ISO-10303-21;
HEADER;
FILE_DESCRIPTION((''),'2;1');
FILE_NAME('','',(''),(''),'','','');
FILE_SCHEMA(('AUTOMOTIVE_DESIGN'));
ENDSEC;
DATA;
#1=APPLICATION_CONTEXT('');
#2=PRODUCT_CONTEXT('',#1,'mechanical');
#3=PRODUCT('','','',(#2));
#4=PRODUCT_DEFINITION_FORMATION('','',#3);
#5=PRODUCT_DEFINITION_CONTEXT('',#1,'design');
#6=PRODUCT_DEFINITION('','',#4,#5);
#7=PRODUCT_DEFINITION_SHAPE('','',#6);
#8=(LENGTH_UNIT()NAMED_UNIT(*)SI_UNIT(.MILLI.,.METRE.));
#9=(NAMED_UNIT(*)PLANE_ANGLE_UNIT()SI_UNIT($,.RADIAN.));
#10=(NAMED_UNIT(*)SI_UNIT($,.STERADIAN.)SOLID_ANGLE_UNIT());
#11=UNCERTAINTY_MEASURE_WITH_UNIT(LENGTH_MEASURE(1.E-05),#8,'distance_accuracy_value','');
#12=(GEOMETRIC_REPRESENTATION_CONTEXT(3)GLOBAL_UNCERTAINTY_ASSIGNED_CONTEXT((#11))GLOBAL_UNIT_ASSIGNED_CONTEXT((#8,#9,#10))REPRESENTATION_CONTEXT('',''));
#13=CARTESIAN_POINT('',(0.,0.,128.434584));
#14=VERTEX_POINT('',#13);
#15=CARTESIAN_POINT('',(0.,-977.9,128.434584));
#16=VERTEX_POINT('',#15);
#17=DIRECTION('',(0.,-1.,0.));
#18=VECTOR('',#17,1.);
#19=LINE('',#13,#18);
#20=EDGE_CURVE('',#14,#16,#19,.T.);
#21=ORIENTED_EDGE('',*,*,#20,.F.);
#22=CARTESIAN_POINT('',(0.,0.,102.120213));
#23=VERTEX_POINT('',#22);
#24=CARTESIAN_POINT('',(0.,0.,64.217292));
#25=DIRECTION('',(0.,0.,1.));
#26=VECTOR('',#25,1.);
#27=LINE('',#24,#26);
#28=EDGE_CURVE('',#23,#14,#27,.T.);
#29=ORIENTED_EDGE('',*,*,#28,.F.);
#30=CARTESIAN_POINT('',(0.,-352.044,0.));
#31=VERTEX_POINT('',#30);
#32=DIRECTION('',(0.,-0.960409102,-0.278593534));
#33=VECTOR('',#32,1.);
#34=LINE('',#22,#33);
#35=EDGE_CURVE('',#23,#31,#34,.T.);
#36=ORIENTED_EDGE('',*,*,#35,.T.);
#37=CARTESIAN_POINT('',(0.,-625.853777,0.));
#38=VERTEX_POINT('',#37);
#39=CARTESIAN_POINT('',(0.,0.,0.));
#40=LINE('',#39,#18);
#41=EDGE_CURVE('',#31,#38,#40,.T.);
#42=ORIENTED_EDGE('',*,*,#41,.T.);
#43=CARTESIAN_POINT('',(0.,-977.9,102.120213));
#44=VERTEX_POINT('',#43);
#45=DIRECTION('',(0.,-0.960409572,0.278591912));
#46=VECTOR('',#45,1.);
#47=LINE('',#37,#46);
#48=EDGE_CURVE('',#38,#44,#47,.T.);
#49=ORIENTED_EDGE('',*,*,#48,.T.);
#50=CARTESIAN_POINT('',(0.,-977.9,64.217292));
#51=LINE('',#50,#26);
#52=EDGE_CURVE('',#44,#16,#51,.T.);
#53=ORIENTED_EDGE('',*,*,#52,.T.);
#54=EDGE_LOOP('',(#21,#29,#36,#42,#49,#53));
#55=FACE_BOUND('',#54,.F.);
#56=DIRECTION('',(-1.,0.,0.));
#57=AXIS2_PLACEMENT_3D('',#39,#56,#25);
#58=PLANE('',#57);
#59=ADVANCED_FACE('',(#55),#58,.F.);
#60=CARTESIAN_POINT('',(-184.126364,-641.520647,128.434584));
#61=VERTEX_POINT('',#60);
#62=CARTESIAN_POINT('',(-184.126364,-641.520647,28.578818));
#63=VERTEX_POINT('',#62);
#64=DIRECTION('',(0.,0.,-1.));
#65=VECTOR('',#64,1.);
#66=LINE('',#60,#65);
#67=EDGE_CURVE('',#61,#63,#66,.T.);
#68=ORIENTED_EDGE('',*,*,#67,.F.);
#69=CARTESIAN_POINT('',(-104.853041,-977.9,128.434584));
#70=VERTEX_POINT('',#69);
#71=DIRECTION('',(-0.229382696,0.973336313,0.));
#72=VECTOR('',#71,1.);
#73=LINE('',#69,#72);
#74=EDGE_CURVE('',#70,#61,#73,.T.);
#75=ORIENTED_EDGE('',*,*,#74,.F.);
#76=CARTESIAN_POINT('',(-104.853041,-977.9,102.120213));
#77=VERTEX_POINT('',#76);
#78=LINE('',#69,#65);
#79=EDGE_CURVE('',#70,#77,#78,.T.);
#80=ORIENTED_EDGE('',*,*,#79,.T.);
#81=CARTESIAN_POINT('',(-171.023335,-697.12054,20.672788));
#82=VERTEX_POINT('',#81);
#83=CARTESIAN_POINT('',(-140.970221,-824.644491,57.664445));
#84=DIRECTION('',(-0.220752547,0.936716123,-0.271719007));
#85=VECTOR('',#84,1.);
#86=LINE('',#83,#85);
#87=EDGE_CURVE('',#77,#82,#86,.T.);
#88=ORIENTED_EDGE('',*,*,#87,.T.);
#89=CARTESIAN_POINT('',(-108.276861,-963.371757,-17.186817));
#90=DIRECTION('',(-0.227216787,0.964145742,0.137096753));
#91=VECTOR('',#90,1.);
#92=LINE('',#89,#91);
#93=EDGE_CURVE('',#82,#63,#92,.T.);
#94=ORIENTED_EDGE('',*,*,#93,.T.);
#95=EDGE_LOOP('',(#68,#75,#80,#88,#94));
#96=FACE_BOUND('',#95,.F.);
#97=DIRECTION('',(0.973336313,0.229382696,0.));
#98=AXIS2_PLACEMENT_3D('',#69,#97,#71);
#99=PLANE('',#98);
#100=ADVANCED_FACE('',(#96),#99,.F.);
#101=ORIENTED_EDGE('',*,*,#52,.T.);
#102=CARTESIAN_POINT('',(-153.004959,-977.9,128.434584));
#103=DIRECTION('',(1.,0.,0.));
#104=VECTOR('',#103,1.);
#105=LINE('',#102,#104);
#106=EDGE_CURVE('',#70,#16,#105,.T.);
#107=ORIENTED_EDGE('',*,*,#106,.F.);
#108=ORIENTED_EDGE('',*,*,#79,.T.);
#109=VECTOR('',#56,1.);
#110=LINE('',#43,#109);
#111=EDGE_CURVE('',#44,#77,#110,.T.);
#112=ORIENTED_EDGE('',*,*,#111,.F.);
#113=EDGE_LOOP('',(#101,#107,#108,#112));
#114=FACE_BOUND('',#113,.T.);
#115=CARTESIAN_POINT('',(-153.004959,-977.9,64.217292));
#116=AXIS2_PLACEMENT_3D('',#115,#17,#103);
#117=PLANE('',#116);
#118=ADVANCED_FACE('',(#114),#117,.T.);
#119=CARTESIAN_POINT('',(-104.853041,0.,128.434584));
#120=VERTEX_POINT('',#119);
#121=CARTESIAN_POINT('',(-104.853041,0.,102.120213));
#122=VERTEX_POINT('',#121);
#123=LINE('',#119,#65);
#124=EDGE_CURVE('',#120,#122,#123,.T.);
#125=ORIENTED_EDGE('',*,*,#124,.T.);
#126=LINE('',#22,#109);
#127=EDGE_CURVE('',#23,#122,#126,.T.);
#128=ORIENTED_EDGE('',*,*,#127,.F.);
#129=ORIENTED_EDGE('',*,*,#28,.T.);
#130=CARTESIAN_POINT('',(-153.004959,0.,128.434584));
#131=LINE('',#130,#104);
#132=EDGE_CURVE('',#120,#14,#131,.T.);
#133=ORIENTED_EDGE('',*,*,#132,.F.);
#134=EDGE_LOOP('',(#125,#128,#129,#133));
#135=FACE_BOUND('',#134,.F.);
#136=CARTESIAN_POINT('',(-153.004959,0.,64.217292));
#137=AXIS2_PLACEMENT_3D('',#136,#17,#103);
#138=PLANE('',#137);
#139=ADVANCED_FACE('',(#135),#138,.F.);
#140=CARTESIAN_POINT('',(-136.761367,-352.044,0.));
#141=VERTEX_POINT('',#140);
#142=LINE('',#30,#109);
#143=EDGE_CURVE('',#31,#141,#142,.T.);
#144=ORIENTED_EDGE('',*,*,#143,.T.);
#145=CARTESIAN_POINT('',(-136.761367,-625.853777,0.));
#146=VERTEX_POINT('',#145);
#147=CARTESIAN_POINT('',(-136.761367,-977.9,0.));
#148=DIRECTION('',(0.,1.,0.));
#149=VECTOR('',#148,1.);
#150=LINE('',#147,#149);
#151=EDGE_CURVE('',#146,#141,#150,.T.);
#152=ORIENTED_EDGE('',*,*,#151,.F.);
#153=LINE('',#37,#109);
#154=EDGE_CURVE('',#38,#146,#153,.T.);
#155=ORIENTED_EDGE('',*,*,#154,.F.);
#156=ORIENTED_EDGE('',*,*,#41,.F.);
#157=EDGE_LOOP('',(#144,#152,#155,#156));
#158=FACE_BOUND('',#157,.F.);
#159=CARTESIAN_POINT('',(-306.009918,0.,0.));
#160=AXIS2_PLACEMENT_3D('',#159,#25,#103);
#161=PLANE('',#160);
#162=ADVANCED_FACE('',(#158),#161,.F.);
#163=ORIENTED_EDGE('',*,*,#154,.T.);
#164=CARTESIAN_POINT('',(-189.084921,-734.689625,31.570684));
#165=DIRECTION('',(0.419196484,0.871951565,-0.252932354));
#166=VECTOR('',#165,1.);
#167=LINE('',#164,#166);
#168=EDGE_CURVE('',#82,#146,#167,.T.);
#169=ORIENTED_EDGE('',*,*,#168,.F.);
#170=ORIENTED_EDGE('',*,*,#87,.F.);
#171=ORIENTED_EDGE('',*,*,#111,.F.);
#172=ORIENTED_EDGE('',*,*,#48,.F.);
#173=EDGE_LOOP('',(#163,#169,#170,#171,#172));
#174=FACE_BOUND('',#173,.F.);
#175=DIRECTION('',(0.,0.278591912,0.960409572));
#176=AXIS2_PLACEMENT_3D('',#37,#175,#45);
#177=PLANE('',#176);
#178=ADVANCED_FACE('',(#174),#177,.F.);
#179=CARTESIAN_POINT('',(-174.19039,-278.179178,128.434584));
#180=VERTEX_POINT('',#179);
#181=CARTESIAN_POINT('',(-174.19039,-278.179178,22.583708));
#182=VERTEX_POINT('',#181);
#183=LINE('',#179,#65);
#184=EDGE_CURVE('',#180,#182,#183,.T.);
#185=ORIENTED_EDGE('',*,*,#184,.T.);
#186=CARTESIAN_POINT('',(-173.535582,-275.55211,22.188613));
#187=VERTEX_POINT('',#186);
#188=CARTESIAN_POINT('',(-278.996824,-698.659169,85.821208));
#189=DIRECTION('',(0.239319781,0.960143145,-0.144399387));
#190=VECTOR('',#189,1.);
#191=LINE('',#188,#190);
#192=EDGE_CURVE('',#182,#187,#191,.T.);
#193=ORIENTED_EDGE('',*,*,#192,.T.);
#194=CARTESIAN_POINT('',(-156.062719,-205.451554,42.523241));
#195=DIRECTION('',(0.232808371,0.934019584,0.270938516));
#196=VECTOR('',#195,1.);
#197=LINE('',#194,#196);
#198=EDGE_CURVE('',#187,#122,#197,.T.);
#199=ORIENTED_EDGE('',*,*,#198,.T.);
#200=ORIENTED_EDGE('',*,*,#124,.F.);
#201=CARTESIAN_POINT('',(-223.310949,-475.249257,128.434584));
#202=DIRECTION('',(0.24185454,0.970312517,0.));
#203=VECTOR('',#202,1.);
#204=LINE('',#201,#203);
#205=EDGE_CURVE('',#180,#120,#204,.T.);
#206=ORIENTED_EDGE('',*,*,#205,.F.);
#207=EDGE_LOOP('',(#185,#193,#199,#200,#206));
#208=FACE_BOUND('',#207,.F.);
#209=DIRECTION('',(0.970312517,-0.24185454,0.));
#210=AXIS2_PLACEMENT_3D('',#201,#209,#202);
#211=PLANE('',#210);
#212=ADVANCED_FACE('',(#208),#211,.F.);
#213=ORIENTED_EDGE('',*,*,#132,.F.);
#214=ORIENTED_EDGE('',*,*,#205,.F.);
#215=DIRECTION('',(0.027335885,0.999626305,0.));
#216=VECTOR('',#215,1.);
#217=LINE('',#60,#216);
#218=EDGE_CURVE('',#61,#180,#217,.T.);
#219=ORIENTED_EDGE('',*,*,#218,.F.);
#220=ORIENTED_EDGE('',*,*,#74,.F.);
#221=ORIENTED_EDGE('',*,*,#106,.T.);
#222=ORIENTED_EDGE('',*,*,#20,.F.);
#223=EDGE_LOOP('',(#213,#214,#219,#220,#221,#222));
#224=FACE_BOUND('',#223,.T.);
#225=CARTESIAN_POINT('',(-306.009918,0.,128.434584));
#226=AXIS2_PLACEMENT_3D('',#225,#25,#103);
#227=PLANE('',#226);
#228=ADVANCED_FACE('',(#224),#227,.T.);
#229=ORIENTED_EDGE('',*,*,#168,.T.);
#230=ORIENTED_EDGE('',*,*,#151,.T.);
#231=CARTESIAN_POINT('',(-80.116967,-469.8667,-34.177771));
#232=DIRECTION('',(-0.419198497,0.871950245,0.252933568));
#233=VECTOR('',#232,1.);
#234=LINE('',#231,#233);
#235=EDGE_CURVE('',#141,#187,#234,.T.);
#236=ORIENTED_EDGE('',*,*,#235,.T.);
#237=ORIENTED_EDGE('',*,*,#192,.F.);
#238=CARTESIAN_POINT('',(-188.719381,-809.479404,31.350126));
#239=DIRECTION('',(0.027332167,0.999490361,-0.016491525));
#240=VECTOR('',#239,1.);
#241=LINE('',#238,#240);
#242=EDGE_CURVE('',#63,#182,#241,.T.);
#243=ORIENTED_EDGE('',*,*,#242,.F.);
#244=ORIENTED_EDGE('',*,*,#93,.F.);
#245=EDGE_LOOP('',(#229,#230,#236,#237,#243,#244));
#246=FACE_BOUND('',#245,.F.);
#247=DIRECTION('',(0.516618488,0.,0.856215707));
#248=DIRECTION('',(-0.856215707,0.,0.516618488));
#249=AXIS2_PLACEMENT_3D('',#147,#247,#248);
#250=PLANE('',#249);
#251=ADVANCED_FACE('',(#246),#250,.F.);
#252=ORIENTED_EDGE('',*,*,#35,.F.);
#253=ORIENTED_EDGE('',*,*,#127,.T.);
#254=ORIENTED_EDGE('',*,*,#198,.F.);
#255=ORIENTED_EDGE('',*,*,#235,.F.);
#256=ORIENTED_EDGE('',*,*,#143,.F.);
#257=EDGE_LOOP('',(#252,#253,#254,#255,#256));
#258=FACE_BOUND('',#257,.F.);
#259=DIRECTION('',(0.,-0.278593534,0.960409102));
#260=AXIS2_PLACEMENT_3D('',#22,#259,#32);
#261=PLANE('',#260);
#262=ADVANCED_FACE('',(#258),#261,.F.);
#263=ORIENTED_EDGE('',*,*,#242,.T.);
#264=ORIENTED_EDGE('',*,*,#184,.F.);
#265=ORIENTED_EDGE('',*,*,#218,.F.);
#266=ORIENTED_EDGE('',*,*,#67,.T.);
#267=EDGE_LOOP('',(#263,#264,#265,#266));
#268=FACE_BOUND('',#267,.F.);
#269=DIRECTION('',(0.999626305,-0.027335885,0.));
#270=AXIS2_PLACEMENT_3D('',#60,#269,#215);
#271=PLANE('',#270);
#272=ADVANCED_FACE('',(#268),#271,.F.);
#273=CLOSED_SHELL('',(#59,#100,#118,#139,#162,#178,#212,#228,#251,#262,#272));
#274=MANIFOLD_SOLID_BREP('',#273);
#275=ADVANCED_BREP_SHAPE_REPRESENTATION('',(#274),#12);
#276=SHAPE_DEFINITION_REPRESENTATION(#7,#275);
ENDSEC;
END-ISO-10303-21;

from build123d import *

# Parameters (mm, degrees)
F0_W      = 306.0099184513
F0_H      = 128.4345835447
F1_DEPTH  = 977.9
F3_DEPTH  = 508
F5_DEPTH  = 1577.34
F6_W      = 96.3038355112
F6_H      = 26.3143703341
F7_DEPTH  = 2032
F9_DEPTH  = 2032
F11_DEPTH = 2032


with BuildPart() as f1:
    # F0 (on Front) → F1 (new body)
    with BuildSketch(Plane.XZ):
        with Locations((-153.0049592257, 64.2172917724)):
            Rectangle(F0_W, F0_H)
    extrude(amount=F1_DEPTH)

    # F2 (on face) → F3 (cut)
    with BuildSketch(Plane.YZ):
        Polygon((-625.8537769318, 0), (-977.9, 102.1202132106), (-977.9, 0), align=None)
        Polygon((-352.044, 0), (0, 0), (0, 102.1202132106), align=None)
    extrude(amount=-F3_DEPTH, mode=Mode.SUBTRACT)

    # F4 (on face) → F5 (cut)
    with BuildSketch(Plane.XZ.offset(977.9)):
        Polygon((-136.761367321, 0), (-306.0099184513, 102.1202132106), (-306.0099184513, 0), align=None)
    extrude(amount=-F5_DEPTH, mode=Mode.SUBTRACT)

    # F6 (on face) → F7 (cut)
    with BuildSketch(Plane(origin=(0, 0, 0), x_dir=(-1, 0, 0), z_dir=(0, 1, 0))):
        with Locations((257.8580006957, 115.2773983777)):
            Rectangle(F6_W, F6_H)
    extrude(amount=-F7_DEPTH, mode=Mode.SUBTRACT)

    # F8 (on face) → F9 (cut)
    with BuildSketch(Plane.XY.offset(128.4345835447)):
        Polygon((-223.3109489244, -475.2492566424), (-104.8530414701, 0), (-310.773730278, 0), (-310.773730278, -104.1196882725), align=None)
        Polygon((-104.8530414701, -977.9), (-223.3109489244, -475.2492566424), (-310.773730278, -826.1470794678), (-310.773730278, -977.9), align=None)
        Polygon((-310.773730278, -826.1470794678), (-223.3109489244, -475.2492566424), (-310.773730278, -104.1196882725), align=None)
    extrude(amount=-F9_DEPTH, mode=Mode.SUBTRACT)

    # F10 (on face) → F11 (cut)
    with BuildSketch(Plane.XY.offset(128.4345835447)):
        Polygon((-184.1263636062, -641.520646722), (-174.1903899803, -278.1791781165), (-476.8389761448, -662.8549098969), align=None)
    extrude(amount=-F11_DEPTH, mode=Mode.SUBTRACT)


solid = f1.part
